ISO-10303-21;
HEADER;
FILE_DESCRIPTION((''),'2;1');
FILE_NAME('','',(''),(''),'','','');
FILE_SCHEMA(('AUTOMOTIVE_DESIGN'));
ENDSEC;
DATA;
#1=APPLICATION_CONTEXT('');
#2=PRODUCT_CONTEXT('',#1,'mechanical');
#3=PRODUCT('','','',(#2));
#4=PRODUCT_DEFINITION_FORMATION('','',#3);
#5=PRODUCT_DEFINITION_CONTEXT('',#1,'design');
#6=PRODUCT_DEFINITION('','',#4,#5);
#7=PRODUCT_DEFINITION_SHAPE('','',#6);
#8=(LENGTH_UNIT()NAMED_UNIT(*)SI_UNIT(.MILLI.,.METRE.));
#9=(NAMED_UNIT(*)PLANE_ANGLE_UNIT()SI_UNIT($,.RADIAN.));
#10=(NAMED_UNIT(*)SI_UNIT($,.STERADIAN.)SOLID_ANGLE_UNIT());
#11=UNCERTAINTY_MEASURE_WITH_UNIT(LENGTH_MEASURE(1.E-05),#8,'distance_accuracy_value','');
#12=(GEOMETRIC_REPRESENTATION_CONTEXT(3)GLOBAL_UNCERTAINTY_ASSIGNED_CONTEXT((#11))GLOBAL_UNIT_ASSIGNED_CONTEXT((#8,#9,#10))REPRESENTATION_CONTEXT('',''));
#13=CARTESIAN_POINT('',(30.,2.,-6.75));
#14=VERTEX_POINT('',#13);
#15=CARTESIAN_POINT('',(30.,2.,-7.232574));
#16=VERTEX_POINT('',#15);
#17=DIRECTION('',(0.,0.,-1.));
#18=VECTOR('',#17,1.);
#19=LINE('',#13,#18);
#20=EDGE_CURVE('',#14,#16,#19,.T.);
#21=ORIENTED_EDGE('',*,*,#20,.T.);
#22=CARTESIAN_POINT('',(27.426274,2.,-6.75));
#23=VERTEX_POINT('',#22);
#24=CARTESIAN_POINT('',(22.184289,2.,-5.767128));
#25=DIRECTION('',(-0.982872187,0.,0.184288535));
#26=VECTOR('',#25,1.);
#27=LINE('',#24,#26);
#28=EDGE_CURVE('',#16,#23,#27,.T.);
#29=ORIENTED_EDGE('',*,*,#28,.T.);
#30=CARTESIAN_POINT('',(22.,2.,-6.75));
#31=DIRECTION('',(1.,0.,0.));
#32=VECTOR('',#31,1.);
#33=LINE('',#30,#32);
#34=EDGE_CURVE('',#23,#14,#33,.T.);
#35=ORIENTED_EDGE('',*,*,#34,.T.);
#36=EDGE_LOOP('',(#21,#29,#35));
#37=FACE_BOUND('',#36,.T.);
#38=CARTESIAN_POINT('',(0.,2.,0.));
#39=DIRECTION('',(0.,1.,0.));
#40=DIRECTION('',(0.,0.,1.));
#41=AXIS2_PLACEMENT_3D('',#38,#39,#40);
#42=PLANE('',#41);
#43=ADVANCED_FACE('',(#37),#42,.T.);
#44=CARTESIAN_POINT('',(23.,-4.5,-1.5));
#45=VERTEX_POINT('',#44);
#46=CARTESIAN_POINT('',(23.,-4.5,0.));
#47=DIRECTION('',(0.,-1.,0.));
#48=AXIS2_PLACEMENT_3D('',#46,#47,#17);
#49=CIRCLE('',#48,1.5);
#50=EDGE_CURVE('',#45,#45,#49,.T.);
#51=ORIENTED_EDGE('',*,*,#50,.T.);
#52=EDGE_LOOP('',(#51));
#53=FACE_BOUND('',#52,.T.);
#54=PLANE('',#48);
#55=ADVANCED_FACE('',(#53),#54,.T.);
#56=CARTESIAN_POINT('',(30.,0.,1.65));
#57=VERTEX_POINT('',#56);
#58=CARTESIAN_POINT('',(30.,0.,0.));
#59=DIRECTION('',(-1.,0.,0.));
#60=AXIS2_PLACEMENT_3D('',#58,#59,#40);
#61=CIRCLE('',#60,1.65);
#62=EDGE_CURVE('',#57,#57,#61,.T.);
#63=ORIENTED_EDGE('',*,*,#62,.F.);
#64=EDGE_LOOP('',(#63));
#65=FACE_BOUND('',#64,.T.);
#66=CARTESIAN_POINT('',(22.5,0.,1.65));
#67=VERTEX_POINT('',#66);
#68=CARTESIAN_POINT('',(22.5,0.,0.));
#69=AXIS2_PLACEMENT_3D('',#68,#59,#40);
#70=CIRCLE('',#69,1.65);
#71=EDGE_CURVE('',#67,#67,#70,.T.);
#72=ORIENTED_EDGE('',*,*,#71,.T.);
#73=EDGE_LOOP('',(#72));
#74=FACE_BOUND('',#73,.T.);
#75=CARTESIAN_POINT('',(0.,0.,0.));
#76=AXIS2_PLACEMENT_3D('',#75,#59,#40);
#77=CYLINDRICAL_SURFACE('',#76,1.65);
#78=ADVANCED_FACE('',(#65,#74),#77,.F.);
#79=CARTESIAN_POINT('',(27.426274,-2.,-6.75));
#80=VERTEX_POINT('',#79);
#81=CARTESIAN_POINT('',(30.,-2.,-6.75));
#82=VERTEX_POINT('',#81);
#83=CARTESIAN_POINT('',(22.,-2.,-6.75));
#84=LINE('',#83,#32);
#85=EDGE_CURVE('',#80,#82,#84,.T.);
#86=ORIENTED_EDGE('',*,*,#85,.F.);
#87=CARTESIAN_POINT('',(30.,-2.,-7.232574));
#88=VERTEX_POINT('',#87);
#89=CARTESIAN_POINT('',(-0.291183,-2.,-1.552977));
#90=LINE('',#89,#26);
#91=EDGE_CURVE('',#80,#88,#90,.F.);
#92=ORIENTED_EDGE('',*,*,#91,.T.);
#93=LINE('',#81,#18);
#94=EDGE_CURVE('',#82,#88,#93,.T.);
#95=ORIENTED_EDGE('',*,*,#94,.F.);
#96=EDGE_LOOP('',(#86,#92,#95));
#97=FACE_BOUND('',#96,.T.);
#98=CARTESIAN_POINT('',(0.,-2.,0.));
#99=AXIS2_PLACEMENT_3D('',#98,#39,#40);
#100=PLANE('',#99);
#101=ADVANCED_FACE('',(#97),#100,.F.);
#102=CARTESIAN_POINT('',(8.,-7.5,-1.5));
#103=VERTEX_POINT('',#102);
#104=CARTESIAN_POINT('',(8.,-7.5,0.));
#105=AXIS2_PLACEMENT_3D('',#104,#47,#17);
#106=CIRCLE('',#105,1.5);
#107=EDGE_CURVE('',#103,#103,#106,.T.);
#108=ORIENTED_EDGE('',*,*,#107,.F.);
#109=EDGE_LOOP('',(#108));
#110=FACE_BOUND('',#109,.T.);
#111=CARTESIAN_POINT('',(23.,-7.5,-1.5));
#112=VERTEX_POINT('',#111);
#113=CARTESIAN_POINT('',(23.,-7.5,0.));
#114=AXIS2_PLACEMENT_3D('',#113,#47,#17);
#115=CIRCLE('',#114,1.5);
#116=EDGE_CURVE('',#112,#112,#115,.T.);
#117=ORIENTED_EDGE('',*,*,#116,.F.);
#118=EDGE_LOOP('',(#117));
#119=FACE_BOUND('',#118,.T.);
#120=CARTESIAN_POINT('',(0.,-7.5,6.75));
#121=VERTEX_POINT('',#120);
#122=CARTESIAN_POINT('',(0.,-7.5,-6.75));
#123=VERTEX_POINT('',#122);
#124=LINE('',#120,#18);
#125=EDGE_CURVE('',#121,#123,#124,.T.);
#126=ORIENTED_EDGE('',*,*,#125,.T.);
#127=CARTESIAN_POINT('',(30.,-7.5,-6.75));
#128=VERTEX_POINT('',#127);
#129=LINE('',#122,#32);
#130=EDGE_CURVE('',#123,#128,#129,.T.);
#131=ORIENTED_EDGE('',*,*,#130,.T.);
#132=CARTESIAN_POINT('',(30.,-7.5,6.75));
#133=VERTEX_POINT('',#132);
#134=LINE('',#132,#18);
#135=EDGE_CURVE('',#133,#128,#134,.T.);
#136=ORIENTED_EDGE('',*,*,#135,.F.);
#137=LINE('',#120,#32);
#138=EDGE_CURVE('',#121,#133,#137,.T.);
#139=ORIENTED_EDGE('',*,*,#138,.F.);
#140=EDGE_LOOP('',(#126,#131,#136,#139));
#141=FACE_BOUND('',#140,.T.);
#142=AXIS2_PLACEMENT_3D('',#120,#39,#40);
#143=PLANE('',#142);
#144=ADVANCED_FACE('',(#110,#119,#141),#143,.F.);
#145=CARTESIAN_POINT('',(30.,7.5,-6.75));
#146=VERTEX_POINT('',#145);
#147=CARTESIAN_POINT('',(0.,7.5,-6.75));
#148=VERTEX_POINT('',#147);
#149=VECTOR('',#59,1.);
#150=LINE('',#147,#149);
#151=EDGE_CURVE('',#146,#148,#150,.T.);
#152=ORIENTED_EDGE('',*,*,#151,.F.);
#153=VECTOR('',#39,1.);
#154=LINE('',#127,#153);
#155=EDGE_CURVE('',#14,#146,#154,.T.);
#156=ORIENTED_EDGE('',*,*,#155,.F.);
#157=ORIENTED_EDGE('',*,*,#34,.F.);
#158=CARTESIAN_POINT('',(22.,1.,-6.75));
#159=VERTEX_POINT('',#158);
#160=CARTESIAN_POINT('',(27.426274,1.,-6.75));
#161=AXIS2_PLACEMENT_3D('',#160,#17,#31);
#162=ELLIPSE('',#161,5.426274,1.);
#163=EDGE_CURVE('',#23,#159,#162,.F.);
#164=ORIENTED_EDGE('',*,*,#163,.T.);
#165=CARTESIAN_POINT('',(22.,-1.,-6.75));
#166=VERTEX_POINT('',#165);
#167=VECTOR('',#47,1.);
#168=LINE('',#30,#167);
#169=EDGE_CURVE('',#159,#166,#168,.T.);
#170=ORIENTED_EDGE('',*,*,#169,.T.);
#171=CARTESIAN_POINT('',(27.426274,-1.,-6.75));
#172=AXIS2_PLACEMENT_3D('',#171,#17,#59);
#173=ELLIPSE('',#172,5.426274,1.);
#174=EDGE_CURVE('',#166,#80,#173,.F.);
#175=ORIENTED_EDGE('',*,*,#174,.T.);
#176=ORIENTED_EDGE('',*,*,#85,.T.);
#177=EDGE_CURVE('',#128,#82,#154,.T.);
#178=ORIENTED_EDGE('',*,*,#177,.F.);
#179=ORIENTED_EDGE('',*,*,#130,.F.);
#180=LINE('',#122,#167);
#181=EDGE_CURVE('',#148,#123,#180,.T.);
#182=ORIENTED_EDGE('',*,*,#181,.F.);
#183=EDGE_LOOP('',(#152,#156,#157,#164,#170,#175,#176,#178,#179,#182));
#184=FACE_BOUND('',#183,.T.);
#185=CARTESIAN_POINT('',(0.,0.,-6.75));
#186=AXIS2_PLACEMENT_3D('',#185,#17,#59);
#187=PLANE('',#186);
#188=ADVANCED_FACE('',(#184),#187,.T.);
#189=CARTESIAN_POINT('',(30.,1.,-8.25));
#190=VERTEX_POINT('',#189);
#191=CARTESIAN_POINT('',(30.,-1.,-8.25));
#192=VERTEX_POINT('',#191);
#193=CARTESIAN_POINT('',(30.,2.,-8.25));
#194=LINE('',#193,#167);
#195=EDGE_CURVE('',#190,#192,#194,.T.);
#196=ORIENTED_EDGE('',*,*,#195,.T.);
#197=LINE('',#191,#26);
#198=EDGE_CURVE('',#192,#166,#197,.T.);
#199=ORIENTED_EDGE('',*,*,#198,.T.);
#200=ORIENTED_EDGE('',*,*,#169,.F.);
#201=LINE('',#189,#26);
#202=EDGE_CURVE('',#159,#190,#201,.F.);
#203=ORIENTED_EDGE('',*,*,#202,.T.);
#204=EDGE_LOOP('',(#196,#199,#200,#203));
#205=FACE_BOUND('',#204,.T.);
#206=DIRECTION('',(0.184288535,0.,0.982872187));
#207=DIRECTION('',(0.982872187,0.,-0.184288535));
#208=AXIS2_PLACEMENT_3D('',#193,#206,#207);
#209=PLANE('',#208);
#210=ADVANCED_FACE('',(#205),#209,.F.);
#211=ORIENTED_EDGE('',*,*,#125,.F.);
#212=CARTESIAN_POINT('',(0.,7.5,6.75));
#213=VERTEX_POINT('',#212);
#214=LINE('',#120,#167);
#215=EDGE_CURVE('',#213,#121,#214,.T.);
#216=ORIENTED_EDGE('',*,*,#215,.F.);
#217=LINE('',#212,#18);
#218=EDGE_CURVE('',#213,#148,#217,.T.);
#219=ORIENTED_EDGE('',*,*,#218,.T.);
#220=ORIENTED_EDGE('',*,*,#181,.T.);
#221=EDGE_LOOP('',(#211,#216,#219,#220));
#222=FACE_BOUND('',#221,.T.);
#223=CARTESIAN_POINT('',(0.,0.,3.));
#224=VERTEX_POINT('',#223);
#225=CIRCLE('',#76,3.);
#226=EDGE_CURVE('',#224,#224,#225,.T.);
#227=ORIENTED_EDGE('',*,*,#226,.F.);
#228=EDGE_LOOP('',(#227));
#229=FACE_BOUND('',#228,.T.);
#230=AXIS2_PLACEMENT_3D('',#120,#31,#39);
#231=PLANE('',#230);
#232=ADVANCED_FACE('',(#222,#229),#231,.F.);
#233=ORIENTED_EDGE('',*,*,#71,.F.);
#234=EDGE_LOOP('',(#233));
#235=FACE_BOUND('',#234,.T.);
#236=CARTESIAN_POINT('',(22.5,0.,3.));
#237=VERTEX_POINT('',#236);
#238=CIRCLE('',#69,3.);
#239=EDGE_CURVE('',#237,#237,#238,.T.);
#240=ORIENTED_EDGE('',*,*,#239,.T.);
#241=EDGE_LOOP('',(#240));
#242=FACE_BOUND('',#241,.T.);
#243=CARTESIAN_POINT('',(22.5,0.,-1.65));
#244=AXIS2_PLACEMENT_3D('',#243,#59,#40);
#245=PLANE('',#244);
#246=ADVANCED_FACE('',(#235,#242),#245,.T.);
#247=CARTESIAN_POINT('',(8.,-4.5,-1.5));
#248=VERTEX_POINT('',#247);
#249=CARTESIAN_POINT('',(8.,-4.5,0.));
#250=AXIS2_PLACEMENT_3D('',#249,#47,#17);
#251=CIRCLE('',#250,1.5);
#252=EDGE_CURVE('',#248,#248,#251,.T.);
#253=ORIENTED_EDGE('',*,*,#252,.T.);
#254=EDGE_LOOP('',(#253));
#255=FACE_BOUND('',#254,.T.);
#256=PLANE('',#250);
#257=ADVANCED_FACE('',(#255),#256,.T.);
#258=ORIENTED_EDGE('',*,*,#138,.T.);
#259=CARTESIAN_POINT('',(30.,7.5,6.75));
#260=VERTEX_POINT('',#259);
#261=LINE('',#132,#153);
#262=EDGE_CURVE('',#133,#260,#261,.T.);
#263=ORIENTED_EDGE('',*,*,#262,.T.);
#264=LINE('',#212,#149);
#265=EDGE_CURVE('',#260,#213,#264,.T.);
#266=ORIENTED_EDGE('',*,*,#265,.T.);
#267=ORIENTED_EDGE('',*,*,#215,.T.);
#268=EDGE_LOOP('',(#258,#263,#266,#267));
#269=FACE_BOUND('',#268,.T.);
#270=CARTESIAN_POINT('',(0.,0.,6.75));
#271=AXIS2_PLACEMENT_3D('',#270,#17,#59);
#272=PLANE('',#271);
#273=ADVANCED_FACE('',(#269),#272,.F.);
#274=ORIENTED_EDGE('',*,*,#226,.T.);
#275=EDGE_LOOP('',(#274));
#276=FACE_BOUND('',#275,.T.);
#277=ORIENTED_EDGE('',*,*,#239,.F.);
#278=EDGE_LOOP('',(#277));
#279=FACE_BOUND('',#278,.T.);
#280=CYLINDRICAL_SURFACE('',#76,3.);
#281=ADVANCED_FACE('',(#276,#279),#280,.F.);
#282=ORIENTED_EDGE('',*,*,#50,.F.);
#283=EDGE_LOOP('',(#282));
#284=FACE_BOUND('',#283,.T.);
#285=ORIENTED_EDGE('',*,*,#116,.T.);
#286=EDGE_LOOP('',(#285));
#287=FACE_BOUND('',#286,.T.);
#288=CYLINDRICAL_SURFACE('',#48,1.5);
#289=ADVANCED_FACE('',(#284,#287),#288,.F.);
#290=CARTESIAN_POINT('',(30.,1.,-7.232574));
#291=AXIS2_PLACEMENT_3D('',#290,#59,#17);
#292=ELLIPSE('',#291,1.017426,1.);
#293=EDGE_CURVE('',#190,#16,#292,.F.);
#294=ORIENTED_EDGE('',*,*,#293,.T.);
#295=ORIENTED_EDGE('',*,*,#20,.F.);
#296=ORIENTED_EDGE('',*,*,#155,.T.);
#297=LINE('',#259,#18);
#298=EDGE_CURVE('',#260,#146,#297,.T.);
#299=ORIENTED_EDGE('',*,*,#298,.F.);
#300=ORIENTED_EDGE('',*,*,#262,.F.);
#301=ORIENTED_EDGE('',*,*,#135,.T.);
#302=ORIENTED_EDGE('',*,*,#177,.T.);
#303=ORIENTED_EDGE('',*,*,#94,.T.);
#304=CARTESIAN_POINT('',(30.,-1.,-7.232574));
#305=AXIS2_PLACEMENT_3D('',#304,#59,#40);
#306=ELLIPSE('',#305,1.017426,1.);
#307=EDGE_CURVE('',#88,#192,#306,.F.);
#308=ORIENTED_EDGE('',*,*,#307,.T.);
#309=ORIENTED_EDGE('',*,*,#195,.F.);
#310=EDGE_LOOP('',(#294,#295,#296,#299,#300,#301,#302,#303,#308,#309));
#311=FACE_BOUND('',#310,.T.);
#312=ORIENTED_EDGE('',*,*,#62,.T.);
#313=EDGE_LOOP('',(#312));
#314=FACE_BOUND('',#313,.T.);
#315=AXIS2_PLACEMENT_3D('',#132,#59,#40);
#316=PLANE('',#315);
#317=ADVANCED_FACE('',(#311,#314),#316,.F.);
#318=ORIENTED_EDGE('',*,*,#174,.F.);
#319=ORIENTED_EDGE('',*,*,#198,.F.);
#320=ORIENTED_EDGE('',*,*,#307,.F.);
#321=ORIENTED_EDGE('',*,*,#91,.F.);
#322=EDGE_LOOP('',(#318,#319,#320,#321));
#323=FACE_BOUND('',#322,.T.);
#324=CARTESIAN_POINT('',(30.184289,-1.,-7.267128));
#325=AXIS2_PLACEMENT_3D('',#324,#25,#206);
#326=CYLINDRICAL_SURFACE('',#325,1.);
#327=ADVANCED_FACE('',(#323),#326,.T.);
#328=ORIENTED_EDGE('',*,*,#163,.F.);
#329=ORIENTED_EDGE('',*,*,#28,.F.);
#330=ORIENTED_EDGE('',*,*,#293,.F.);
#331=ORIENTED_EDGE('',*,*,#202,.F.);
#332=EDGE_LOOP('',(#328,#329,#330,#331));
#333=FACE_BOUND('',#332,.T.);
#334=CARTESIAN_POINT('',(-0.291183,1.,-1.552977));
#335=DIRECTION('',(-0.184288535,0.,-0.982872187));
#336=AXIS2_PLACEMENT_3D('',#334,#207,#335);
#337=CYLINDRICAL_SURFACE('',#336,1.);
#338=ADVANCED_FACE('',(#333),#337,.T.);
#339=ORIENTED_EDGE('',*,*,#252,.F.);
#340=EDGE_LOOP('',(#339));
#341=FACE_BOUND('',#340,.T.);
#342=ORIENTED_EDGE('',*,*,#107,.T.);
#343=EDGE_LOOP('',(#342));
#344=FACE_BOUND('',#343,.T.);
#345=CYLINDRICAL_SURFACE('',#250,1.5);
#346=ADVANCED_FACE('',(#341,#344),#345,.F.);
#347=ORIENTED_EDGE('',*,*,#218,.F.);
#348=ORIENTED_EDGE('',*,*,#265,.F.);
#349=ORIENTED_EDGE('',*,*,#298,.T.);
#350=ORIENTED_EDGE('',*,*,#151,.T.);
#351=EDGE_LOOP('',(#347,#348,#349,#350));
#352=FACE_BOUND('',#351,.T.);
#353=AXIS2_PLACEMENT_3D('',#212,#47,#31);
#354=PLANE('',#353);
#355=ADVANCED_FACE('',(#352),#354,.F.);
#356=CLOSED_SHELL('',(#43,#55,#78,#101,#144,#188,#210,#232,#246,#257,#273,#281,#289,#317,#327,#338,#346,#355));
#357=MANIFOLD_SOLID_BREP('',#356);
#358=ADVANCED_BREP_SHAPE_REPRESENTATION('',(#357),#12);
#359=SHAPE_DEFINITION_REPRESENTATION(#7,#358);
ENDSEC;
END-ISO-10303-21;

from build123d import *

# Parameters (mm, degrees)
SKETCH1_W           = 30
SKETCH1_H           = 15
BOSS_EXTRUDE1_DEPTH = 6.75
SKETCH3_R           = 1.5
CUT_EXTRUDE1_DEPTH  = 3
BOSS_EXTRUDE2_DEPTH = 2
FILLET1_R           = 1


with BuildPart() as part:
    # Sketch1 → Boss-Extrude1 (new body, symmetric)
    with BuildSketch(Plane.XY):
        with Locations((15, 0)):
            Rectangle(SKETCH1_W, SKETCH1_H)
    extrude(amount=BOSS_EXTRUDE1_DEPTH, both=True)

    # Sketch3 → Cut-Extrude1 (cut)
    with BuildSketch(Plane.XZ.offset(7.5)):
        with Locations((8, 0)):
            Circle(SKETCH3_R)
        with Locations((23, 0)):
            Circle(SKETCH3_R)
    extrude(amount=-CUT_EXTRUDE1_DEPTH, mode=Mode.SUBTRACT)

    # Sketch4 → Boss-Extrude2 (add, symmetric)
    with BuildSketch(Plane(origin=(0, 0, 0), x_dir=(1, 0, 0), z_dir=(0, 1, 0))):
        Polygon((30, 6.75), (30, 8.25), (22, 6.75), align=None)
    extrude(amount=BOSS_EXTRUDE2_DEPTH, both=True)

    # Fillet1
    fillet1_edges = [part.edges().sort_by_distance(p)[0] for p in [
        (26, -2, -7.5),
        (26, 2, -7.5),
    ]]
    fillet(fillet1_edges, radius=FILLET1_R)

    # Sketch2 → Cut-Revolve1 (revolve, cut)
    with BuildSketch(Plane(origin=(0, 0, 0), x_dir=(1, 0, 0), z_dir=(0, 1, 0))):
        Polygon((0, 0), (30, 0), (30, 1.65), (22.5, 1.65), (22.5, 3), (0, 3), align=None)
    revolve(axis=Axis((0, 0, 0), (1, 0, 0)), mode=Mode.SUBTRACT)


solid = part.part
